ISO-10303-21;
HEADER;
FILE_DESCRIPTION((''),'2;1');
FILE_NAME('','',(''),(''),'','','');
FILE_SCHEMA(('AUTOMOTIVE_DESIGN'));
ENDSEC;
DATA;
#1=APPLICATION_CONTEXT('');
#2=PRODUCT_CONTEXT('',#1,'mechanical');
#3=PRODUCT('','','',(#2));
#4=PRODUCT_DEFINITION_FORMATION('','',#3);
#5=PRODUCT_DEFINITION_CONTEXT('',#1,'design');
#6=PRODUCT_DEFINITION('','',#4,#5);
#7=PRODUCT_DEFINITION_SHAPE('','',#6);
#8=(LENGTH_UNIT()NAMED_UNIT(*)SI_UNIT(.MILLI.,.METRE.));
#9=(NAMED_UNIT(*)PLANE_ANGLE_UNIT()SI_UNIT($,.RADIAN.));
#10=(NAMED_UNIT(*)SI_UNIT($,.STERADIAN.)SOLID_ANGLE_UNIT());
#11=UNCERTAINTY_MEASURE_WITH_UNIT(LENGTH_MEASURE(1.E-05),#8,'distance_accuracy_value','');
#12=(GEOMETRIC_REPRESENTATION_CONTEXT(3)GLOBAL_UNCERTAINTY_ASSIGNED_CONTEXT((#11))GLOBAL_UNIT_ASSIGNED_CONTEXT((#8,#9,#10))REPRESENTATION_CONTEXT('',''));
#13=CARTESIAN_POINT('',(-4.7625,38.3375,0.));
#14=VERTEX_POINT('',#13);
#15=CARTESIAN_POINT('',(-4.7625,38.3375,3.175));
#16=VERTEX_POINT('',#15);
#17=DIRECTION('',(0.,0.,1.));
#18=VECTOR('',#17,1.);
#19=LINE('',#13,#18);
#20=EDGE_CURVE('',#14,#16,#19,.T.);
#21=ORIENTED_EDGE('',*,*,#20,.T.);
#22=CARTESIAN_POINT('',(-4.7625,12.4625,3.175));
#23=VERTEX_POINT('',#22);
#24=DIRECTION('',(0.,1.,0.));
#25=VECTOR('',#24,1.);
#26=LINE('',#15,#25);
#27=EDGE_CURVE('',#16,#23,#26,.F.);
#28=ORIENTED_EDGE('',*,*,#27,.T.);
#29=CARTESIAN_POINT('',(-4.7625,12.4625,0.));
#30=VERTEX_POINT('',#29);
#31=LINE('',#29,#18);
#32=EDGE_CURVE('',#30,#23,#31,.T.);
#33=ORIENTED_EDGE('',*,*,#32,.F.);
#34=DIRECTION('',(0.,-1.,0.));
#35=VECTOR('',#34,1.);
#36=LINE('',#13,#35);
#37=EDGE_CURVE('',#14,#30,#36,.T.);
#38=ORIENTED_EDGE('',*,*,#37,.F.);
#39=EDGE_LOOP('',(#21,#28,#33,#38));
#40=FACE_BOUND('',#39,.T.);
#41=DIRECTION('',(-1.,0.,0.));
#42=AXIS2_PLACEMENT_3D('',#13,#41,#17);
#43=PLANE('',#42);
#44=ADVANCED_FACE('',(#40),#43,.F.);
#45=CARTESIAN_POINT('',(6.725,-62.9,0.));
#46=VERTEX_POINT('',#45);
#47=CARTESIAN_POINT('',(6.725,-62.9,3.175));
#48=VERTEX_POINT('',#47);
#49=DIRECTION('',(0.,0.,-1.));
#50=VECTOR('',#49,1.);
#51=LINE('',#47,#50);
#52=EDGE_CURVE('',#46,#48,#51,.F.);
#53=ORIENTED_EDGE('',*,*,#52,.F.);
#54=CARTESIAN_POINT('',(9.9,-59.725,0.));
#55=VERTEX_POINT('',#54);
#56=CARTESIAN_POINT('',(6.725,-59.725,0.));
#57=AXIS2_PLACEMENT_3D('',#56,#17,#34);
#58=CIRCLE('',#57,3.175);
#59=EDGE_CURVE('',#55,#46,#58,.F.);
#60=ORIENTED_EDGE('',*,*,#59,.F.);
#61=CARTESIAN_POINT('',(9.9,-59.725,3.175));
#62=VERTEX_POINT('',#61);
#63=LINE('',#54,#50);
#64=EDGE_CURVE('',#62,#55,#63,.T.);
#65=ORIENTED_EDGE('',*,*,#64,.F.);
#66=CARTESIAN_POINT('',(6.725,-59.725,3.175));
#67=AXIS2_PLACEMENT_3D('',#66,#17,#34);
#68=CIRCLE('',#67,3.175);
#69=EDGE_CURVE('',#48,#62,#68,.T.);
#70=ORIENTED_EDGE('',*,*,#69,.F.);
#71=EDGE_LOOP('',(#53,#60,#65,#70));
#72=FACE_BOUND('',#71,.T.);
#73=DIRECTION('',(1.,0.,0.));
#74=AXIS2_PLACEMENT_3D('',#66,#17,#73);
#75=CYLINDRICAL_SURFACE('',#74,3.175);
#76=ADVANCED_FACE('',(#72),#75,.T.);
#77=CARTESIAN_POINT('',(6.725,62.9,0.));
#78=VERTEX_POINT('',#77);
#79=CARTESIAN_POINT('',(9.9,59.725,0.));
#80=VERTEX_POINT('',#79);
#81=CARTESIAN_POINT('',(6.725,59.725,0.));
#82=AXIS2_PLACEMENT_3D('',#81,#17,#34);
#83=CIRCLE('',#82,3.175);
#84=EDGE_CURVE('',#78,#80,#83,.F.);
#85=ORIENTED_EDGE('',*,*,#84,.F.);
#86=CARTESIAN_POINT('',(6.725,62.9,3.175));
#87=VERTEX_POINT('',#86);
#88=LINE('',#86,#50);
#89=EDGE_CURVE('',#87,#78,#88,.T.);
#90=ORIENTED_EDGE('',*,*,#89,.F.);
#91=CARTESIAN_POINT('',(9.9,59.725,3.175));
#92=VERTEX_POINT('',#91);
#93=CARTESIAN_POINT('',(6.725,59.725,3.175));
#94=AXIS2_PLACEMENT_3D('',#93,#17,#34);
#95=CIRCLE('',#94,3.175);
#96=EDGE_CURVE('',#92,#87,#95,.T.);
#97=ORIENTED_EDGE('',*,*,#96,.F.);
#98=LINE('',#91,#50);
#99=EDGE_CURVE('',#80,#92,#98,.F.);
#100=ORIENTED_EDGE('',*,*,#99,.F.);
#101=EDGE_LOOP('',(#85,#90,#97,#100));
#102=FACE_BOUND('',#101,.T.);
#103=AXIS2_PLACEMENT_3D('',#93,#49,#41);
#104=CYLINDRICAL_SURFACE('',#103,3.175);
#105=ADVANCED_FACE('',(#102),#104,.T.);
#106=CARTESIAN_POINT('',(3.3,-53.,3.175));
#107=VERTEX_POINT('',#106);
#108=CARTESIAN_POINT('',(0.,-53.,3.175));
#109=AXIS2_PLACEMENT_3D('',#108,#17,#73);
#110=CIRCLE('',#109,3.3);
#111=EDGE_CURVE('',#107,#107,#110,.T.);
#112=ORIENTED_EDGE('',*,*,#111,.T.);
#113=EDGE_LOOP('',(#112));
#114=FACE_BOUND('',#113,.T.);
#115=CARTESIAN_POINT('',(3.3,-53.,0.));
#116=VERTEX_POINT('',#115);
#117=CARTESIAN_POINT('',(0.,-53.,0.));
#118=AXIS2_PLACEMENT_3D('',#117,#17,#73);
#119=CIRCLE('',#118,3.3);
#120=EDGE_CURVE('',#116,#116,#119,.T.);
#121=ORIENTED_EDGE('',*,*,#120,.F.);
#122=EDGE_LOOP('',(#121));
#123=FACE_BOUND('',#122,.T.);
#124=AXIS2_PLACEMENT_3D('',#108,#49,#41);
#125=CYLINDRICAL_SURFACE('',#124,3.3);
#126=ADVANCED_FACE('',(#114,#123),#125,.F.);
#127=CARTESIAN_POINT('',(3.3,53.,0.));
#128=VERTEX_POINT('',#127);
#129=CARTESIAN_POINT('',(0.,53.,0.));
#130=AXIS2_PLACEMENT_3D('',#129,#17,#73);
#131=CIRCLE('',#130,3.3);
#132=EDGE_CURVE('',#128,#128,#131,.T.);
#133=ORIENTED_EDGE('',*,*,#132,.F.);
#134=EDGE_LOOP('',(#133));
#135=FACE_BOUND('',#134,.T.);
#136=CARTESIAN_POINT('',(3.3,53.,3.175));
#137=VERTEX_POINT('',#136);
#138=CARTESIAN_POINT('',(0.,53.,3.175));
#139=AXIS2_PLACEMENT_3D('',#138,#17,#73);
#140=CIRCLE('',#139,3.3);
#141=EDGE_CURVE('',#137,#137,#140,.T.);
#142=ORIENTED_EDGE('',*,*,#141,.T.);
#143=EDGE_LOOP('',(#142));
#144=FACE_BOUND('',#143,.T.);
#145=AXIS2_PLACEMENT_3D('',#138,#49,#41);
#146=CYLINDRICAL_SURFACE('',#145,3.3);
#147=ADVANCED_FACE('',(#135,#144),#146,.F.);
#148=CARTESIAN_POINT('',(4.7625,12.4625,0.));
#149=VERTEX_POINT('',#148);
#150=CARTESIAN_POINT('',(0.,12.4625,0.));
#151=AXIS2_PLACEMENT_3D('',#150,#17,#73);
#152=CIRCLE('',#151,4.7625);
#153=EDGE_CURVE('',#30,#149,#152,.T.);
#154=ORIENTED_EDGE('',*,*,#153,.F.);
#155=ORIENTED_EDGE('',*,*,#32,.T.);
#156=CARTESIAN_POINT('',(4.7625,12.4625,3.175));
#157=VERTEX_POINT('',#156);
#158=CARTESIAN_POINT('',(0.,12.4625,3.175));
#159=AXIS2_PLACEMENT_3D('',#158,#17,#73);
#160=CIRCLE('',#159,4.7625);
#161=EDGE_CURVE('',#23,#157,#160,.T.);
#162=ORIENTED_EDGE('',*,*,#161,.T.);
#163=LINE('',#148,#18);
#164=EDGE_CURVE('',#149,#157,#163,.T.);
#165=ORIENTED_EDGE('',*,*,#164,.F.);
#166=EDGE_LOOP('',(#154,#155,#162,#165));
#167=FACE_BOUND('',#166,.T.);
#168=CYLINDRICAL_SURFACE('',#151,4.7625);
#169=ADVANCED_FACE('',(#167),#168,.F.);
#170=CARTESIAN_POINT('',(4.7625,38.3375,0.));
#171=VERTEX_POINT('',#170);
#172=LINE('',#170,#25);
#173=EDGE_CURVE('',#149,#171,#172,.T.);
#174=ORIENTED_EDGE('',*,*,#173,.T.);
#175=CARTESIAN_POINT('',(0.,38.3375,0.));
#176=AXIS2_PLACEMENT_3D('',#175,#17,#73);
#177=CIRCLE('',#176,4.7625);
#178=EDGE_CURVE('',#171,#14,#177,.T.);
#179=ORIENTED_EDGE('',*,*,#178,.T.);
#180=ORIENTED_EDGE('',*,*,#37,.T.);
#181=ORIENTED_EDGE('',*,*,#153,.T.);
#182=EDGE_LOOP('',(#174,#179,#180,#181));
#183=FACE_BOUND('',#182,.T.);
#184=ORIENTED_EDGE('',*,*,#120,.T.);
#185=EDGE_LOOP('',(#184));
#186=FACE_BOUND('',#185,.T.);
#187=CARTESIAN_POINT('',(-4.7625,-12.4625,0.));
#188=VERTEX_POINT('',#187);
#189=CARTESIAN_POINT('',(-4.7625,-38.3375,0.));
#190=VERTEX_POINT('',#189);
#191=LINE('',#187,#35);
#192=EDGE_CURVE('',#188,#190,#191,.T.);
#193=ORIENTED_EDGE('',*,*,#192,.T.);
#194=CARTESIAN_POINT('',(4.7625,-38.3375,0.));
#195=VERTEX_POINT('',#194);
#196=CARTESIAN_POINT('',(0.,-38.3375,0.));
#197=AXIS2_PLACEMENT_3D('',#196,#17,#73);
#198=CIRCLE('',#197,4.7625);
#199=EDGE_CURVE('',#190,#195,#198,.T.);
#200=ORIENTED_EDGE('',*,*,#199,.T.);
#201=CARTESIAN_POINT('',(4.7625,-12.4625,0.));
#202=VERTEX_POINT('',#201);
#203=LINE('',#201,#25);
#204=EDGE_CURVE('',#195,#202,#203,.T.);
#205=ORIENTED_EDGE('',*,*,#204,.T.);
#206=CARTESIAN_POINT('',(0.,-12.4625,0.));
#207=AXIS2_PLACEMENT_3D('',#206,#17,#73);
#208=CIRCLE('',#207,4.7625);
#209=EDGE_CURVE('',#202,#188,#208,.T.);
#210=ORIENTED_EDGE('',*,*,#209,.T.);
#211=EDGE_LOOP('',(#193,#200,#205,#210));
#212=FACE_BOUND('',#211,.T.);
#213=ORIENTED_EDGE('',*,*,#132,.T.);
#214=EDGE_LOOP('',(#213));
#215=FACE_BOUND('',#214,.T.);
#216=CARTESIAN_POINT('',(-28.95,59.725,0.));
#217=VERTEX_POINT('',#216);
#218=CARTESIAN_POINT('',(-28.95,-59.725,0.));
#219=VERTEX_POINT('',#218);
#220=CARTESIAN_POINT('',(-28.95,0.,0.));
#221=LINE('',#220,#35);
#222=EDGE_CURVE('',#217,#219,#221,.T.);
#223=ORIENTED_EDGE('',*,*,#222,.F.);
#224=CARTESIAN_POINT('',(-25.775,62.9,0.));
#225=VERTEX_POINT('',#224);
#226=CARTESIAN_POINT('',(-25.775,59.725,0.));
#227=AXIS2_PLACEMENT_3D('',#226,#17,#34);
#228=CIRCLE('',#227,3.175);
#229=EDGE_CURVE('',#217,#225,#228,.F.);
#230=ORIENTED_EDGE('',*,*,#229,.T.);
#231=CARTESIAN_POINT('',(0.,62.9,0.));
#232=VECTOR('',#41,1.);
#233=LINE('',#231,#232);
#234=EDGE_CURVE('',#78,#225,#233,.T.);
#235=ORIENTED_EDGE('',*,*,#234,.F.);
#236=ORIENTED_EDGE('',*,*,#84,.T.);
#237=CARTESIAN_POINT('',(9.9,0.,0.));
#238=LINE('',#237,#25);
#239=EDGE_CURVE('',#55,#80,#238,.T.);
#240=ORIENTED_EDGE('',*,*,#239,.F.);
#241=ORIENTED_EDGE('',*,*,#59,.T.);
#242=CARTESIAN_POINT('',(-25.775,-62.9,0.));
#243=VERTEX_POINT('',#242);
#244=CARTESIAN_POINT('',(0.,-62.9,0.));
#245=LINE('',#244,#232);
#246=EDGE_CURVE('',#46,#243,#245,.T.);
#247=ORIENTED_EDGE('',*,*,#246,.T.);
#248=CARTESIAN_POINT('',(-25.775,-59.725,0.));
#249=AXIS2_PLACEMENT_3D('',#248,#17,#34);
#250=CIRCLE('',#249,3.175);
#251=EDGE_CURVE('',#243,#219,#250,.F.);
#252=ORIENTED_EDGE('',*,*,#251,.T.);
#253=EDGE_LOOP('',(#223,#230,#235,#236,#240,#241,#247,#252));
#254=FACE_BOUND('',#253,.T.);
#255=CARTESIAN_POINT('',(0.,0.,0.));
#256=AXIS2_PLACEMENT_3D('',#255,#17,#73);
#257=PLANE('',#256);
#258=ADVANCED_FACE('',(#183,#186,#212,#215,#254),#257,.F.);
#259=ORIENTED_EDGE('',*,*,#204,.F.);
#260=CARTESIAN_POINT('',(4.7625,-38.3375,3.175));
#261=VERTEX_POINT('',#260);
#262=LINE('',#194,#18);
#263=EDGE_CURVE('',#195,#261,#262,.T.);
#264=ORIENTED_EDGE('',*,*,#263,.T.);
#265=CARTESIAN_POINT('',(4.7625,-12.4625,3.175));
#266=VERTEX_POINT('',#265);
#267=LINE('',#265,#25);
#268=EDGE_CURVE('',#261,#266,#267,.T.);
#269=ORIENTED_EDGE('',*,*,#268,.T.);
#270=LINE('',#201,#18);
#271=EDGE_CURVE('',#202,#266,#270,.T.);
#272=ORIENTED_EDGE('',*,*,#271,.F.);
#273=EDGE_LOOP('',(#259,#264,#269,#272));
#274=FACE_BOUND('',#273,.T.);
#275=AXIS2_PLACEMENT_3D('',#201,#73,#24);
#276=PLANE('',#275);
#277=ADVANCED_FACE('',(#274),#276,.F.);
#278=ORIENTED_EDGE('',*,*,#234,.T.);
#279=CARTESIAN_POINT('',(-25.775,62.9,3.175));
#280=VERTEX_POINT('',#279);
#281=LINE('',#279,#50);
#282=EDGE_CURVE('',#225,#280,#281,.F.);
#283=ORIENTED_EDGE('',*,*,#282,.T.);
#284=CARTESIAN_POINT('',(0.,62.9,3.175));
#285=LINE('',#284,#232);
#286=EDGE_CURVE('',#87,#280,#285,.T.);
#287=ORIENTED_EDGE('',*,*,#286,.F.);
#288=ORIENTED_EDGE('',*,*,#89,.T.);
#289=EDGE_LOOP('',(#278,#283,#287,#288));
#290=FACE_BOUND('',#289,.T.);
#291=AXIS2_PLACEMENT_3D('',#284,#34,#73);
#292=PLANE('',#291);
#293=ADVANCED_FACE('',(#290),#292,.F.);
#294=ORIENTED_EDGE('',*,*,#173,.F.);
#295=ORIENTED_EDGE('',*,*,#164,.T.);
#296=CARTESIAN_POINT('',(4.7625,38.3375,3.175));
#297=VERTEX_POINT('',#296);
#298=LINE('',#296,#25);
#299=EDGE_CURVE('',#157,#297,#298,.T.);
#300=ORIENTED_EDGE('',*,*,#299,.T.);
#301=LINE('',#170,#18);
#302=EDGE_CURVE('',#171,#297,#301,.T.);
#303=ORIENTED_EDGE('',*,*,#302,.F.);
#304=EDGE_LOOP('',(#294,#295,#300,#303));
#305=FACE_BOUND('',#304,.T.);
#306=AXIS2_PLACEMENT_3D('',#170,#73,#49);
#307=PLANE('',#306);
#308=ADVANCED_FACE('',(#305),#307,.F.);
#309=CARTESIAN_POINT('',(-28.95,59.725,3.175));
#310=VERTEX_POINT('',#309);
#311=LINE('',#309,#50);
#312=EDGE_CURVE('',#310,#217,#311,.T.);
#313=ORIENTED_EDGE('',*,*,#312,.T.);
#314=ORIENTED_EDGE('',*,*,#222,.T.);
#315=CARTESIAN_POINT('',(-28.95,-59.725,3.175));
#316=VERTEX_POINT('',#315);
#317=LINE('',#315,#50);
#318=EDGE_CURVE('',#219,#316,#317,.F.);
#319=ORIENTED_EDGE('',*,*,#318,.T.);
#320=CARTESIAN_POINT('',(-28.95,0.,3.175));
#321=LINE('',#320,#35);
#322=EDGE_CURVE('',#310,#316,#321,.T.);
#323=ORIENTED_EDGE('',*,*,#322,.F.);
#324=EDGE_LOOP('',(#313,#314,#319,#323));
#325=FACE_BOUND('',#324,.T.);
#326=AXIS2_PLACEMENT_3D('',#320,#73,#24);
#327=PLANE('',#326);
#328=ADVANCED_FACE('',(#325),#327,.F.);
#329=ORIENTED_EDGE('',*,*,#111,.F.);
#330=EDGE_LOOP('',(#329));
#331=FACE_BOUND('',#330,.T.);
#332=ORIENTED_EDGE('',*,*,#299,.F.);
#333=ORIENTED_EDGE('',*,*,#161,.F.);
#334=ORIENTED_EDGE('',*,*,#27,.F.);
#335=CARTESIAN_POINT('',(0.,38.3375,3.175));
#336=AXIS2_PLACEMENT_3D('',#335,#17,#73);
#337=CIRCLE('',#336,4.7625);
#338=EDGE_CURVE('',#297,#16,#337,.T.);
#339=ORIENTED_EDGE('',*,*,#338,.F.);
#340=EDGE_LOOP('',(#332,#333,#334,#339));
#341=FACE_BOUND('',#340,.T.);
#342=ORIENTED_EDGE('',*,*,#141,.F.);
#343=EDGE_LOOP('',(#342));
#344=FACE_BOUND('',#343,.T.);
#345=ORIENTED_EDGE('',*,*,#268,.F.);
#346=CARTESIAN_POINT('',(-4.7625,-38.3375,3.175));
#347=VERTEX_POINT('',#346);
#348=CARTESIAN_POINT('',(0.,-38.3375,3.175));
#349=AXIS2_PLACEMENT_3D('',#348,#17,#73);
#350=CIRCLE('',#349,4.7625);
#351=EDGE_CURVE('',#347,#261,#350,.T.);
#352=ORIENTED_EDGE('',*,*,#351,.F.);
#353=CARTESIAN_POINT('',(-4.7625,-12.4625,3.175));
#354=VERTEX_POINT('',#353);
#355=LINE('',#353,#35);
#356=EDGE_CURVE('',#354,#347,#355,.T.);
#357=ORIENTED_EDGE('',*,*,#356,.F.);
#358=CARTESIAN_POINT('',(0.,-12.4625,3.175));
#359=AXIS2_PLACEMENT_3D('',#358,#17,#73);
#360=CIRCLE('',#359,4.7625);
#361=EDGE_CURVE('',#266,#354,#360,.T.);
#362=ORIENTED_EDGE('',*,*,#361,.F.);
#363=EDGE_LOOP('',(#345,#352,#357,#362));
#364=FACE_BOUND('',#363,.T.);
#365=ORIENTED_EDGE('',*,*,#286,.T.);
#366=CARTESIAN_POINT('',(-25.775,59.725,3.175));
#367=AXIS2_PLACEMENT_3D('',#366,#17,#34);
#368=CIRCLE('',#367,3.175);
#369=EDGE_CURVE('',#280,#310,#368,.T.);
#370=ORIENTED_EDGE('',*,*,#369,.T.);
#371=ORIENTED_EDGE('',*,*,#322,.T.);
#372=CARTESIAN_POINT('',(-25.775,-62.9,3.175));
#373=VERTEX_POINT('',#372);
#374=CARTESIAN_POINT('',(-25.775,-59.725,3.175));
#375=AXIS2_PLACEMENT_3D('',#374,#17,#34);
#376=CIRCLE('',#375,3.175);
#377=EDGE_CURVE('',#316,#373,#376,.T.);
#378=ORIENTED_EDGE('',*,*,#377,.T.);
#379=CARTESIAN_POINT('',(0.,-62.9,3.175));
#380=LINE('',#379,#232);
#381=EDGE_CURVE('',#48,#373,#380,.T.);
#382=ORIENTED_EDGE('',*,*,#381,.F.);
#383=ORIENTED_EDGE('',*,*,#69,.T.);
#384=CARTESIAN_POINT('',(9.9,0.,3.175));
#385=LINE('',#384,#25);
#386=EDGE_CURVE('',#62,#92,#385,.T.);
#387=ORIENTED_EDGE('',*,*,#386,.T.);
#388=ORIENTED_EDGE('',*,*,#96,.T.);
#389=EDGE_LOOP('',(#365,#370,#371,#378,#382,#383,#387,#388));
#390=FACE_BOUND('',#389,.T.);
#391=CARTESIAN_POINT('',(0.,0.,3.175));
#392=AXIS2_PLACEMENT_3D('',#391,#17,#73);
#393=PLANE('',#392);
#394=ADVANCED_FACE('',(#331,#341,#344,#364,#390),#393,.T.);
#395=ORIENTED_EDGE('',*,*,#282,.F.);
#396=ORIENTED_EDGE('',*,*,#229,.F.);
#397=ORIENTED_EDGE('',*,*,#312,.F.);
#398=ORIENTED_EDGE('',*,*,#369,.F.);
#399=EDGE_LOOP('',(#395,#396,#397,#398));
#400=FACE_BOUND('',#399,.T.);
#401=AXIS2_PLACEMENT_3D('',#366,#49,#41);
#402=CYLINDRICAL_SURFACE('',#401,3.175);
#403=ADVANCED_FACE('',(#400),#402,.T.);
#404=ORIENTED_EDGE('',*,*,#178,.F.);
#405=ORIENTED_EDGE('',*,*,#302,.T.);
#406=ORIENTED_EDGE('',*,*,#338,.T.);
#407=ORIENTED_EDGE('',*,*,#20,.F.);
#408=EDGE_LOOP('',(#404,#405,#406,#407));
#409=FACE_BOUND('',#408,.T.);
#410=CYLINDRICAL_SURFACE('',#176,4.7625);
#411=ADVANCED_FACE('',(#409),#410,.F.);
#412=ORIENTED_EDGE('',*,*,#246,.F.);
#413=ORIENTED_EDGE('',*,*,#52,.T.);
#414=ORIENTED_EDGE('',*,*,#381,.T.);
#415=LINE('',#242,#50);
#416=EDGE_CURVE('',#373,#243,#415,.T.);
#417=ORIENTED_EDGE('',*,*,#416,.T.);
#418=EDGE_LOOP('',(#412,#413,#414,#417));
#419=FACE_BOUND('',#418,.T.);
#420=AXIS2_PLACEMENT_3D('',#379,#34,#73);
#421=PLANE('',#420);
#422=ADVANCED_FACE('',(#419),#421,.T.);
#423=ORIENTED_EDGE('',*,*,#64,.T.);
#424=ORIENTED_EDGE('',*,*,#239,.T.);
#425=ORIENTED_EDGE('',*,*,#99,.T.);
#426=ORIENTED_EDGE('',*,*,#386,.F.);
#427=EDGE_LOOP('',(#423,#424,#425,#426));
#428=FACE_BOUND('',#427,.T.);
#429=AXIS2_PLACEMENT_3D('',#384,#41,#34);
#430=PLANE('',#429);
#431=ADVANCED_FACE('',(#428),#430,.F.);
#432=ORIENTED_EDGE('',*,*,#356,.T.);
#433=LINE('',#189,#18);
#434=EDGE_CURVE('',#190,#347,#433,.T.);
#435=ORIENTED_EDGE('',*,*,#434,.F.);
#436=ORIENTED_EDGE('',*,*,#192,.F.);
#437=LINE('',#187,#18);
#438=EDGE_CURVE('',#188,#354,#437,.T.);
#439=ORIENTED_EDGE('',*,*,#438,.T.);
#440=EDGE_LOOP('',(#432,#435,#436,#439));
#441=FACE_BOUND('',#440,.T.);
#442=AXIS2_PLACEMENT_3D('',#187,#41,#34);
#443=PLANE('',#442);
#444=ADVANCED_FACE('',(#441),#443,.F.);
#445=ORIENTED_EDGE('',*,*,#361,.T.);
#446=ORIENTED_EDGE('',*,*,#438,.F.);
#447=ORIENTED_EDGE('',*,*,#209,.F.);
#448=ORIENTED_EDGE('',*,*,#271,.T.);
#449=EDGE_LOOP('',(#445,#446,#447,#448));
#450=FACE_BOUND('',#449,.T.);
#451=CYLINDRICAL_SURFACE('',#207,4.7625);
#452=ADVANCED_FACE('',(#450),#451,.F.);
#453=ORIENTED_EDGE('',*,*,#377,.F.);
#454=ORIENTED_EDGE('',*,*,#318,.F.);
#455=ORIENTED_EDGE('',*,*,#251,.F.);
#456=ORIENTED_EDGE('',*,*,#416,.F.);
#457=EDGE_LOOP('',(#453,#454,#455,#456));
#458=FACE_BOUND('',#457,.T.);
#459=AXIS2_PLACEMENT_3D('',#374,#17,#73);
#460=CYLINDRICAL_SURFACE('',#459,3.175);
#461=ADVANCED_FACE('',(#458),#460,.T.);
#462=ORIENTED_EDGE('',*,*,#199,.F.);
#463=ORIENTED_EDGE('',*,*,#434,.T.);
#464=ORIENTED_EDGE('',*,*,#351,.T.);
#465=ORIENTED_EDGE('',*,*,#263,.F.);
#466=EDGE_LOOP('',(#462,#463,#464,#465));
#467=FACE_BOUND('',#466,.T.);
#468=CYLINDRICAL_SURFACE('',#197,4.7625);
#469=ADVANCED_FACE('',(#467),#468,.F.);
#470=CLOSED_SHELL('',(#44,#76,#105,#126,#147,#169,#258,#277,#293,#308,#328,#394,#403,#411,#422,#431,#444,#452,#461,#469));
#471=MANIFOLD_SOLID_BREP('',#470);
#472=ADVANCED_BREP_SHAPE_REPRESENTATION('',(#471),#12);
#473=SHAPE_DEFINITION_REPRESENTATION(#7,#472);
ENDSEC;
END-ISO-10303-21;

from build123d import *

# Parameters (mm, degrees)
SKETCH1_W               = 19.800000024
SKETCH1_H               = 125.800000114
SKETCH1_R               = 3.3
SKETCH1_W_2             = 19.05
BOSS_EXTRUDE1_DEPTH     = 3.175
CUT_EXTRUDE1_DEPTH      = 70.315172458
CUT_EXTRUDE1_DEPTH_BACK = 70.315172458
FILLET1_R               = 3.175


with BuildPart() as part:
    # Sketch1 → Boss-Extrude1 (new body)
    # profile 1 of 2: a face of its own
    with BuildSketch(Plane.XY):
        Rectangle(SKETCH1_W, SKETCH1_H)
        with Locations((0, -53.000000045)):
            Circle(SKETCH1_R, mode=Mode.SUBTRACT)
        with Locations((0, 53.000000045)):
            Circle(SKETCH1_R, mode=Mode.SUBTRACT)
    # profile 2 of 2: a face of its own
    with BuildSketch(Plane.XY):
        with Locations((-19.425000012, 0)):
            Rectangle(SKETCH1_W_2, SKETCH1_H)
    extrude(amount=BOSS_EXTRUDE1_DEPTH)

    # Sketch6 → Cut-Extrude1 (cut, two sides: drawn at the far end of the back side and taken through both)
    with BuildSketch(Plane.XY.offset(3.175).offset(-CUT_EXTRUDE1_DEPTH_BACK)):
        with BuildLine():
            Line((4.7625, 38.337500033), (4.7625, 12.462499967))
            ThreePointArc((4.7625, 12.462499967), (0, 7.699999967), (-4.7625, 12.462499967))
            Line((-4.7625, 12.462499967), (-4.7625, 38.337500033))
            ThreePointArc((-4.7625, 38.337500033), (0, 43.100000033), (4.7625, 38.337500033))
        make_face()
        with BuildLine():
            Line((4.7625, -12.462499967), (4.7625, -38.337500033))
            ThreePointArc((4.7625, -38.337500033), (0, -43.100000033), (-4.7625, -38.337500033))
            Line((-4.7625, -38.337500033), (-4.7625, -12.462499967))
            ThreePointArc((-4.7625, -12.462499967), (0, -7.699999967), (4.7625, -12.462499967))
        make_face()
    extrude(amount=CUT_EXTRUDE1_DEPTH + CUT_EXTRUDE1_DEPTH_BACK, mode=Mode.SUBTRACT)

    # Fillet1
    fillet1_edges = [part.edges().sort_by_distance(p)[0] for p in [
        (9.900000012, 62.900000057, 1.5875),
        (9.900000012, -62.900000057, 1.5875),
        (-28.950000012, -62.900000057, 1.5875),
        (-28.950000012, 62.900000057, 1.5875),
    ]]
    fillet(fillet1_edges, radius=FILLET1_R)


solid = part.part
